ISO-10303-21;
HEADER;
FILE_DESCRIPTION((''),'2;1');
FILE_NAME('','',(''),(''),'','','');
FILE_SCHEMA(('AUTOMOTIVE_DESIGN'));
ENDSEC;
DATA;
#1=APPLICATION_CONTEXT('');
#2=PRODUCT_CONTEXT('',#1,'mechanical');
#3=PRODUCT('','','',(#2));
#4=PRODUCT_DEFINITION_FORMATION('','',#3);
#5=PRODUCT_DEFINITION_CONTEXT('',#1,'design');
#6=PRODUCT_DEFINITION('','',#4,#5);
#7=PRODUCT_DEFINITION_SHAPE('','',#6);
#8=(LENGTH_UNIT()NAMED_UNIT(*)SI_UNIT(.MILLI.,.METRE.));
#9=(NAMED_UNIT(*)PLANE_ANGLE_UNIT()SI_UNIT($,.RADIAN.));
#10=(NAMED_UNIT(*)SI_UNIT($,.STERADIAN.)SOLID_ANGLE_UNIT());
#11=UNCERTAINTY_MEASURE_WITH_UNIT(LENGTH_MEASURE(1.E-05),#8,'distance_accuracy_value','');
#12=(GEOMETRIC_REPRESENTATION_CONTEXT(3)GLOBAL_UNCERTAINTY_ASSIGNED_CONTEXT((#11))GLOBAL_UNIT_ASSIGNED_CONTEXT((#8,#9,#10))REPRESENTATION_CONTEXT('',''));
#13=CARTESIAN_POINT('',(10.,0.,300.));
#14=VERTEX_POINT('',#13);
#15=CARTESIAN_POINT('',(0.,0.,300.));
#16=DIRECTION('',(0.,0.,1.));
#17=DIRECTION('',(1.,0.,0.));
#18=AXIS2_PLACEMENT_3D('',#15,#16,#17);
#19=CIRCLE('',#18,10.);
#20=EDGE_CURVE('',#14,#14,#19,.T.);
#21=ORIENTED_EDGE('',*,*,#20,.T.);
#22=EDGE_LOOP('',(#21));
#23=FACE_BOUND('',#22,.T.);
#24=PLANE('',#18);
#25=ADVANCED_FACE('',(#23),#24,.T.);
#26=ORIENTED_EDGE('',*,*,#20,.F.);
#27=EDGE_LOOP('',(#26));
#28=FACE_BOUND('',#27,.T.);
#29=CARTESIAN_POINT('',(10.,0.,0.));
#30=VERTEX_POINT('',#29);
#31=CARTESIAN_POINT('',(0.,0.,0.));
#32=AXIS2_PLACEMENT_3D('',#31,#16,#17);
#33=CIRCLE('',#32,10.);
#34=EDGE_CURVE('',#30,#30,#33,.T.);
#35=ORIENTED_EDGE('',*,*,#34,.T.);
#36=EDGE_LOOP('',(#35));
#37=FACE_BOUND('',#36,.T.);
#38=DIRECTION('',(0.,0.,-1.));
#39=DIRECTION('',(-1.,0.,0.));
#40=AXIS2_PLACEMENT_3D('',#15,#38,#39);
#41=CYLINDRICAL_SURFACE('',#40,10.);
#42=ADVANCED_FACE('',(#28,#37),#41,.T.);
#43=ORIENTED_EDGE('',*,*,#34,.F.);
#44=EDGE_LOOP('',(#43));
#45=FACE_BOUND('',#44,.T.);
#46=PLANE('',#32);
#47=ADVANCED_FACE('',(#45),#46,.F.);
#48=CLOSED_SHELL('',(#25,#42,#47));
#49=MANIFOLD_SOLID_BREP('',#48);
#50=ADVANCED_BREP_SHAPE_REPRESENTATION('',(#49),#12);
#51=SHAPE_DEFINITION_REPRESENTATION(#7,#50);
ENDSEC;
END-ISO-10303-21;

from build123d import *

# Parameters (mm, degrees)
CROQUIS1_R              = 10
SALIENTE_EXTRUIR1_DEPTH = 300


with BuildPart() as part:
    # Croquis1 → Saliente-Extruir1 (new body)
    with BuildSketch(Plane.XY):
        Circle(CROQUIS1_R)
    extrude(amount=SALIENTE_EXTRUIR1_DEPTH)


solid = part.part
